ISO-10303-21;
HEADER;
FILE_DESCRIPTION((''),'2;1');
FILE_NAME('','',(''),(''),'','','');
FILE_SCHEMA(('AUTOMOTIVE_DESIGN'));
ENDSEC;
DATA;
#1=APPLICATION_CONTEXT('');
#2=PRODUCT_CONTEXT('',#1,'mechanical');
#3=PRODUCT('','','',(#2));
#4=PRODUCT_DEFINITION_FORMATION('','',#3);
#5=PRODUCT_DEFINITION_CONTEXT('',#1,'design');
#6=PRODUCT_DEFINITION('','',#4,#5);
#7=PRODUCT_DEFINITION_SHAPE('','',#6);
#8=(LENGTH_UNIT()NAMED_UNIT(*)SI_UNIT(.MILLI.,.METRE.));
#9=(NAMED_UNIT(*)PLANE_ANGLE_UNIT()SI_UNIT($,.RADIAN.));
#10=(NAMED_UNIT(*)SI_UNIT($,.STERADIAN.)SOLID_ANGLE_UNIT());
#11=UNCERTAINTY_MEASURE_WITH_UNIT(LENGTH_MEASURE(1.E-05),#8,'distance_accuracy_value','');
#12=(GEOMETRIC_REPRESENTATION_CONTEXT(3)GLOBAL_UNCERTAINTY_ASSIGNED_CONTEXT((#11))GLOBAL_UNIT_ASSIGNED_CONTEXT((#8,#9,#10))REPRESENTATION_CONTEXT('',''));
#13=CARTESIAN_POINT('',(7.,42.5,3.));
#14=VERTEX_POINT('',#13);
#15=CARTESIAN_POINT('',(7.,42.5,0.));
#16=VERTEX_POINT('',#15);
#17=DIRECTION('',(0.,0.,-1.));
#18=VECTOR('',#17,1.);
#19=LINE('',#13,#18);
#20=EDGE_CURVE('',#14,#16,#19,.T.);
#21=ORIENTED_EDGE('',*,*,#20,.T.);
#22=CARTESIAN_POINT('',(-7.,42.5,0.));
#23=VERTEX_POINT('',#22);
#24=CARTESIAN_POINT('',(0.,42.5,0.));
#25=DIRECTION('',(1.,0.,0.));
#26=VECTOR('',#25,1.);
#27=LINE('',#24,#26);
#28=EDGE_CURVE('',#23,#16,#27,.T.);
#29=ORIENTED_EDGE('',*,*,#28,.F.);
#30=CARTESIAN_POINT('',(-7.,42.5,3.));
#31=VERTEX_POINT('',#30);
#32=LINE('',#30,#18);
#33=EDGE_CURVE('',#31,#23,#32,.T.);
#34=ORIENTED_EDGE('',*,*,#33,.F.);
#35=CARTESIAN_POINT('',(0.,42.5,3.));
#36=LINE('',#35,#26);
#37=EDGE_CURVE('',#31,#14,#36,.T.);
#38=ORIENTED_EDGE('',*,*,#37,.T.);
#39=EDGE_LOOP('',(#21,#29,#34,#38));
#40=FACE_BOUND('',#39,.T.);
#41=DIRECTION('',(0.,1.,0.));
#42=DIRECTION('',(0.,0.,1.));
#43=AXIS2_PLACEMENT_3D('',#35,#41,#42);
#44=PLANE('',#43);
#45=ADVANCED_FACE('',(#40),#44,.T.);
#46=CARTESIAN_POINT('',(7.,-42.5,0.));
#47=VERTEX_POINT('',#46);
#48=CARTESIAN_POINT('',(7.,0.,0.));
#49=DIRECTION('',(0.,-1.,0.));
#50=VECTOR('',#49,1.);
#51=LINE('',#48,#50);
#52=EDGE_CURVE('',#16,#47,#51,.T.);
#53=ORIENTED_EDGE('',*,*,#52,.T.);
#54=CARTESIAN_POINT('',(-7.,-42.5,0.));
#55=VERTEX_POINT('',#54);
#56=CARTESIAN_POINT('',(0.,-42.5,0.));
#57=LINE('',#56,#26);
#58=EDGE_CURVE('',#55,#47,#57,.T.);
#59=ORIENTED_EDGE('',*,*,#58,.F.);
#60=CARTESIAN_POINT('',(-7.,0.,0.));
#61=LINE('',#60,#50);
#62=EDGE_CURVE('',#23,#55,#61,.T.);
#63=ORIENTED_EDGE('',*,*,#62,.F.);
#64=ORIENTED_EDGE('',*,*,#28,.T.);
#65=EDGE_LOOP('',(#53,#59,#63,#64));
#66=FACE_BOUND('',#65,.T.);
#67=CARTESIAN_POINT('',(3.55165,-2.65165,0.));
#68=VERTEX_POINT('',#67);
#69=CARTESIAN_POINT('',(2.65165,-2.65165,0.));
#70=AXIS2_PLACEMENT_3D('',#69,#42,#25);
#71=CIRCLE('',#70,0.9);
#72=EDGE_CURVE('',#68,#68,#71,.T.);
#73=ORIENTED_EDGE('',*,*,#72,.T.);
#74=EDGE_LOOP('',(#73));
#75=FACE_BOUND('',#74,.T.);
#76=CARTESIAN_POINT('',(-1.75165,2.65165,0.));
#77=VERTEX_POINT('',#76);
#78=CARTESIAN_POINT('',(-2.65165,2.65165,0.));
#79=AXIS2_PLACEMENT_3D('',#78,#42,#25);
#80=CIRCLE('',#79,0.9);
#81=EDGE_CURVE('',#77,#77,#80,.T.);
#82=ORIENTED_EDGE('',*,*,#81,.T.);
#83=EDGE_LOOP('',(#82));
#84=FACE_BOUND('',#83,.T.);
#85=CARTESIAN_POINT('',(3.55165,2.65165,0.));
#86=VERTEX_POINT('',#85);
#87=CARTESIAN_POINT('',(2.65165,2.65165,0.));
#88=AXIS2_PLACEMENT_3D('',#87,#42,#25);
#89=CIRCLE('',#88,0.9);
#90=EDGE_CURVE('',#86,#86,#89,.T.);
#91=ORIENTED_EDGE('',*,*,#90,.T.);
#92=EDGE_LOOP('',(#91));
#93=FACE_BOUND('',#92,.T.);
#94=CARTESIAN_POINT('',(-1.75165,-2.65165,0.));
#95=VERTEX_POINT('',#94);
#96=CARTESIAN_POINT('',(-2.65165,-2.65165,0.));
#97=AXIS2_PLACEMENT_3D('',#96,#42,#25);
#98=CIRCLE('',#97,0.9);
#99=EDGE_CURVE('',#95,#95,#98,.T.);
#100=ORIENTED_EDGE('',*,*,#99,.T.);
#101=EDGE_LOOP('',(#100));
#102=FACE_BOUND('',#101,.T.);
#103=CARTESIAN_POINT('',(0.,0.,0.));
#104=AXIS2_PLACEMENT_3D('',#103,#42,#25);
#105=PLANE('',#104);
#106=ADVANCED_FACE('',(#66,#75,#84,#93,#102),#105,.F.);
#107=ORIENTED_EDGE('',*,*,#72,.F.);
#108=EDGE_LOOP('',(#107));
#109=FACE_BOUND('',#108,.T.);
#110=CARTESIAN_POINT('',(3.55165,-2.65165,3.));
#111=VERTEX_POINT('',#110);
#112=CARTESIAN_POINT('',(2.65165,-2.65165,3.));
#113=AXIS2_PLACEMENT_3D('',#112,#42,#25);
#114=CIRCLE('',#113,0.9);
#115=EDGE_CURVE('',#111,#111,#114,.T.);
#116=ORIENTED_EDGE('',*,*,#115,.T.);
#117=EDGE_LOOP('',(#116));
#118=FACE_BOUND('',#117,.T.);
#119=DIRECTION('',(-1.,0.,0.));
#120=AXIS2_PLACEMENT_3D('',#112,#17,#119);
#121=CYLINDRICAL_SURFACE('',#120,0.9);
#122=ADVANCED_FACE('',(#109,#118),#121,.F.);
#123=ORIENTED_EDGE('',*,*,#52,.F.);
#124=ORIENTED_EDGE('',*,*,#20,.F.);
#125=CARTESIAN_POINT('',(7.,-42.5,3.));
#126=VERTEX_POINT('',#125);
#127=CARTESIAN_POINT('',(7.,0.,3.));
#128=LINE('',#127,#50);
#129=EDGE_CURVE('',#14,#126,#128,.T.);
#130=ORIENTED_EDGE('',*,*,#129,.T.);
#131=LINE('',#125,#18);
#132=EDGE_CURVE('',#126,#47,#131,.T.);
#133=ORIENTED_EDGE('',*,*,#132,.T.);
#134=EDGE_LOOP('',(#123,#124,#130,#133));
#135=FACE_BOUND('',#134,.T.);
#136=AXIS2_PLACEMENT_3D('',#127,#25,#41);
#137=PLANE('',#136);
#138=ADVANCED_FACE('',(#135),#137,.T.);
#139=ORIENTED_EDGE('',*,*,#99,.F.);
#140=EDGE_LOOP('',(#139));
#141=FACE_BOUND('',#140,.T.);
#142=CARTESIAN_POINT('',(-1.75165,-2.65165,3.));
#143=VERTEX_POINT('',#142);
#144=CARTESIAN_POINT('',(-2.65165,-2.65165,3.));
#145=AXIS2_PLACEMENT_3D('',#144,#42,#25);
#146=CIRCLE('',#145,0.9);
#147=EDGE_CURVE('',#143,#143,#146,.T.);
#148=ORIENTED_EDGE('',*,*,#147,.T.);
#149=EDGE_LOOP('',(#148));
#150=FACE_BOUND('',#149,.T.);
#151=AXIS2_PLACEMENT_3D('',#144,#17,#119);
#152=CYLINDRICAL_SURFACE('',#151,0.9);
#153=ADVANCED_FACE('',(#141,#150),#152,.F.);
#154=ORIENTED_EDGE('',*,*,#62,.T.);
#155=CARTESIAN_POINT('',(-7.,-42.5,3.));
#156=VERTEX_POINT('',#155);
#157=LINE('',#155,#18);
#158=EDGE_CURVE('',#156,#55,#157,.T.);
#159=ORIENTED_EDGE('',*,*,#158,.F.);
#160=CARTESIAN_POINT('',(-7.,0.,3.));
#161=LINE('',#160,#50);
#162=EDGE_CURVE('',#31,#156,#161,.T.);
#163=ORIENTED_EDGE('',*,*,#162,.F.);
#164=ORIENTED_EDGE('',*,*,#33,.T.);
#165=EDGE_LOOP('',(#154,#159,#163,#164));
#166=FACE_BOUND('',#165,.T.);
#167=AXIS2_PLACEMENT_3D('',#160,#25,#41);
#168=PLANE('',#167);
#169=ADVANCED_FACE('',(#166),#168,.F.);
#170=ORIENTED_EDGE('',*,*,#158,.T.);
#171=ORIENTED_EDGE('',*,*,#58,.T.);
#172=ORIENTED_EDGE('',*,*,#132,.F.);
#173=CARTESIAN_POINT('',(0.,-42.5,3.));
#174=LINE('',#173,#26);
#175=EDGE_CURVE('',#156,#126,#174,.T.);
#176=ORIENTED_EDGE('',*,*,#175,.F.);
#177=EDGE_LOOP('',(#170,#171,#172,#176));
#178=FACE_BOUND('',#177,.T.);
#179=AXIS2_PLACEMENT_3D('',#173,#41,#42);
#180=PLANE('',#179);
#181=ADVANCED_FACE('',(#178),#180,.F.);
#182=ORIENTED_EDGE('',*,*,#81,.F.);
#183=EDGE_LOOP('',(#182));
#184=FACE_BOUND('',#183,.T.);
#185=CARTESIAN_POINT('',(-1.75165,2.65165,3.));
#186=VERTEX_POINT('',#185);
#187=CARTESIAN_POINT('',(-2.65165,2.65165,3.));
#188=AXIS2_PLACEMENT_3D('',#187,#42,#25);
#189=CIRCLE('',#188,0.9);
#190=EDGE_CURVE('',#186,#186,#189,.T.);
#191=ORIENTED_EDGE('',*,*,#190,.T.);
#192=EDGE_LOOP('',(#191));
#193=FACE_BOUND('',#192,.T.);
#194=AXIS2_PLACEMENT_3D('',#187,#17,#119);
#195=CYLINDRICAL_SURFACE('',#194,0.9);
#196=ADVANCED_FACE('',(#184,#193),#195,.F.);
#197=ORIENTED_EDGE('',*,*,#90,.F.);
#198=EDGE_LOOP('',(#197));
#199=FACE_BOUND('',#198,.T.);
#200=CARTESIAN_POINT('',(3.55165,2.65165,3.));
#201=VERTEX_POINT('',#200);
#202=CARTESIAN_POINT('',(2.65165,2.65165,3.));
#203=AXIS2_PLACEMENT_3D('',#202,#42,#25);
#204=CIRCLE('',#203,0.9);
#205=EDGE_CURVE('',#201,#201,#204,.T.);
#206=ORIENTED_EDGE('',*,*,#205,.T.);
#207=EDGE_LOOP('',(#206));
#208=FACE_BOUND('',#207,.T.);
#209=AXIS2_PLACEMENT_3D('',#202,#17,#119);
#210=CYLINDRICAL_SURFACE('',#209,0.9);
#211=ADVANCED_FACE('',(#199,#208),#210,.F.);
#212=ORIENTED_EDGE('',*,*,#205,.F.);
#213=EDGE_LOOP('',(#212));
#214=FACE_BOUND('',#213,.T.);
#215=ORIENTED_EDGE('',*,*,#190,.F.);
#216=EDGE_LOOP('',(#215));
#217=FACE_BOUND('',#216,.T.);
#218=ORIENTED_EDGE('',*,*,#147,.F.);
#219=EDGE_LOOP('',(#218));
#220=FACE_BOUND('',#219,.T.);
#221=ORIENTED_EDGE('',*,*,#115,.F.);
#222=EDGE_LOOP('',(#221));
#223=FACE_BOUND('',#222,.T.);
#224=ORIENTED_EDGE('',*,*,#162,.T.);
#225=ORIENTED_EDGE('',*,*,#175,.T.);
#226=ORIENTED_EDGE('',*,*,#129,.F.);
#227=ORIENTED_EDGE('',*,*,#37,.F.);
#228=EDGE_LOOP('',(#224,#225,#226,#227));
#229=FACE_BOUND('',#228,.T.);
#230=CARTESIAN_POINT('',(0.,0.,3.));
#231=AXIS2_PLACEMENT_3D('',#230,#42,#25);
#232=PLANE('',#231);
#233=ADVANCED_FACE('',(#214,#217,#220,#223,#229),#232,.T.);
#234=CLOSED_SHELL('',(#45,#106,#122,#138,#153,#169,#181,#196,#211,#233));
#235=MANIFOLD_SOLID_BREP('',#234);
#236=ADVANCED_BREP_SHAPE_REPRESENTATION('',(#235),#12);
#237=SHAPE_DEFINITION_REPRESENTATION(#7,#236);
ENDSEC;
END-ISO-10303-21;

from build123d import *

# Parameters (mm, degrees)
SKETCH1_W           = 14
SKETCH1_H           = 85
SKETCH1_R           = 0.9
BOSS_EXTRUDE1_DEPTH = 3


with BuildPart() as part:
    # Sketch1 → Boss-Extrude1 (new body)
    with BuildSketch(Plane.XY):
        Rectangle(SKETCH1_W, SKETCH1_H)
        with Locations((2.651650429, -2.651650429)):
            Circle(SKETCH1_R, mode=Mode.SUBTRACT)
        with Locations((-2.651650429, -2.651650429)):
            Circle(SKETCH1_R, mode=Mode.SUBTRACT)
        with Locations((-2.651650429, 2.651650429)):
            Circle(SKETCH1_R, mode=Mode.SUBTRACT)
        with Locations((2.651650429, 2.651650429)):
            Circle(SKETCH1_R, mode=Mode.SUBTRACT)
    extrude(amount=BOSS_EXTRUDE1_DEPTH)


solid = part.part
